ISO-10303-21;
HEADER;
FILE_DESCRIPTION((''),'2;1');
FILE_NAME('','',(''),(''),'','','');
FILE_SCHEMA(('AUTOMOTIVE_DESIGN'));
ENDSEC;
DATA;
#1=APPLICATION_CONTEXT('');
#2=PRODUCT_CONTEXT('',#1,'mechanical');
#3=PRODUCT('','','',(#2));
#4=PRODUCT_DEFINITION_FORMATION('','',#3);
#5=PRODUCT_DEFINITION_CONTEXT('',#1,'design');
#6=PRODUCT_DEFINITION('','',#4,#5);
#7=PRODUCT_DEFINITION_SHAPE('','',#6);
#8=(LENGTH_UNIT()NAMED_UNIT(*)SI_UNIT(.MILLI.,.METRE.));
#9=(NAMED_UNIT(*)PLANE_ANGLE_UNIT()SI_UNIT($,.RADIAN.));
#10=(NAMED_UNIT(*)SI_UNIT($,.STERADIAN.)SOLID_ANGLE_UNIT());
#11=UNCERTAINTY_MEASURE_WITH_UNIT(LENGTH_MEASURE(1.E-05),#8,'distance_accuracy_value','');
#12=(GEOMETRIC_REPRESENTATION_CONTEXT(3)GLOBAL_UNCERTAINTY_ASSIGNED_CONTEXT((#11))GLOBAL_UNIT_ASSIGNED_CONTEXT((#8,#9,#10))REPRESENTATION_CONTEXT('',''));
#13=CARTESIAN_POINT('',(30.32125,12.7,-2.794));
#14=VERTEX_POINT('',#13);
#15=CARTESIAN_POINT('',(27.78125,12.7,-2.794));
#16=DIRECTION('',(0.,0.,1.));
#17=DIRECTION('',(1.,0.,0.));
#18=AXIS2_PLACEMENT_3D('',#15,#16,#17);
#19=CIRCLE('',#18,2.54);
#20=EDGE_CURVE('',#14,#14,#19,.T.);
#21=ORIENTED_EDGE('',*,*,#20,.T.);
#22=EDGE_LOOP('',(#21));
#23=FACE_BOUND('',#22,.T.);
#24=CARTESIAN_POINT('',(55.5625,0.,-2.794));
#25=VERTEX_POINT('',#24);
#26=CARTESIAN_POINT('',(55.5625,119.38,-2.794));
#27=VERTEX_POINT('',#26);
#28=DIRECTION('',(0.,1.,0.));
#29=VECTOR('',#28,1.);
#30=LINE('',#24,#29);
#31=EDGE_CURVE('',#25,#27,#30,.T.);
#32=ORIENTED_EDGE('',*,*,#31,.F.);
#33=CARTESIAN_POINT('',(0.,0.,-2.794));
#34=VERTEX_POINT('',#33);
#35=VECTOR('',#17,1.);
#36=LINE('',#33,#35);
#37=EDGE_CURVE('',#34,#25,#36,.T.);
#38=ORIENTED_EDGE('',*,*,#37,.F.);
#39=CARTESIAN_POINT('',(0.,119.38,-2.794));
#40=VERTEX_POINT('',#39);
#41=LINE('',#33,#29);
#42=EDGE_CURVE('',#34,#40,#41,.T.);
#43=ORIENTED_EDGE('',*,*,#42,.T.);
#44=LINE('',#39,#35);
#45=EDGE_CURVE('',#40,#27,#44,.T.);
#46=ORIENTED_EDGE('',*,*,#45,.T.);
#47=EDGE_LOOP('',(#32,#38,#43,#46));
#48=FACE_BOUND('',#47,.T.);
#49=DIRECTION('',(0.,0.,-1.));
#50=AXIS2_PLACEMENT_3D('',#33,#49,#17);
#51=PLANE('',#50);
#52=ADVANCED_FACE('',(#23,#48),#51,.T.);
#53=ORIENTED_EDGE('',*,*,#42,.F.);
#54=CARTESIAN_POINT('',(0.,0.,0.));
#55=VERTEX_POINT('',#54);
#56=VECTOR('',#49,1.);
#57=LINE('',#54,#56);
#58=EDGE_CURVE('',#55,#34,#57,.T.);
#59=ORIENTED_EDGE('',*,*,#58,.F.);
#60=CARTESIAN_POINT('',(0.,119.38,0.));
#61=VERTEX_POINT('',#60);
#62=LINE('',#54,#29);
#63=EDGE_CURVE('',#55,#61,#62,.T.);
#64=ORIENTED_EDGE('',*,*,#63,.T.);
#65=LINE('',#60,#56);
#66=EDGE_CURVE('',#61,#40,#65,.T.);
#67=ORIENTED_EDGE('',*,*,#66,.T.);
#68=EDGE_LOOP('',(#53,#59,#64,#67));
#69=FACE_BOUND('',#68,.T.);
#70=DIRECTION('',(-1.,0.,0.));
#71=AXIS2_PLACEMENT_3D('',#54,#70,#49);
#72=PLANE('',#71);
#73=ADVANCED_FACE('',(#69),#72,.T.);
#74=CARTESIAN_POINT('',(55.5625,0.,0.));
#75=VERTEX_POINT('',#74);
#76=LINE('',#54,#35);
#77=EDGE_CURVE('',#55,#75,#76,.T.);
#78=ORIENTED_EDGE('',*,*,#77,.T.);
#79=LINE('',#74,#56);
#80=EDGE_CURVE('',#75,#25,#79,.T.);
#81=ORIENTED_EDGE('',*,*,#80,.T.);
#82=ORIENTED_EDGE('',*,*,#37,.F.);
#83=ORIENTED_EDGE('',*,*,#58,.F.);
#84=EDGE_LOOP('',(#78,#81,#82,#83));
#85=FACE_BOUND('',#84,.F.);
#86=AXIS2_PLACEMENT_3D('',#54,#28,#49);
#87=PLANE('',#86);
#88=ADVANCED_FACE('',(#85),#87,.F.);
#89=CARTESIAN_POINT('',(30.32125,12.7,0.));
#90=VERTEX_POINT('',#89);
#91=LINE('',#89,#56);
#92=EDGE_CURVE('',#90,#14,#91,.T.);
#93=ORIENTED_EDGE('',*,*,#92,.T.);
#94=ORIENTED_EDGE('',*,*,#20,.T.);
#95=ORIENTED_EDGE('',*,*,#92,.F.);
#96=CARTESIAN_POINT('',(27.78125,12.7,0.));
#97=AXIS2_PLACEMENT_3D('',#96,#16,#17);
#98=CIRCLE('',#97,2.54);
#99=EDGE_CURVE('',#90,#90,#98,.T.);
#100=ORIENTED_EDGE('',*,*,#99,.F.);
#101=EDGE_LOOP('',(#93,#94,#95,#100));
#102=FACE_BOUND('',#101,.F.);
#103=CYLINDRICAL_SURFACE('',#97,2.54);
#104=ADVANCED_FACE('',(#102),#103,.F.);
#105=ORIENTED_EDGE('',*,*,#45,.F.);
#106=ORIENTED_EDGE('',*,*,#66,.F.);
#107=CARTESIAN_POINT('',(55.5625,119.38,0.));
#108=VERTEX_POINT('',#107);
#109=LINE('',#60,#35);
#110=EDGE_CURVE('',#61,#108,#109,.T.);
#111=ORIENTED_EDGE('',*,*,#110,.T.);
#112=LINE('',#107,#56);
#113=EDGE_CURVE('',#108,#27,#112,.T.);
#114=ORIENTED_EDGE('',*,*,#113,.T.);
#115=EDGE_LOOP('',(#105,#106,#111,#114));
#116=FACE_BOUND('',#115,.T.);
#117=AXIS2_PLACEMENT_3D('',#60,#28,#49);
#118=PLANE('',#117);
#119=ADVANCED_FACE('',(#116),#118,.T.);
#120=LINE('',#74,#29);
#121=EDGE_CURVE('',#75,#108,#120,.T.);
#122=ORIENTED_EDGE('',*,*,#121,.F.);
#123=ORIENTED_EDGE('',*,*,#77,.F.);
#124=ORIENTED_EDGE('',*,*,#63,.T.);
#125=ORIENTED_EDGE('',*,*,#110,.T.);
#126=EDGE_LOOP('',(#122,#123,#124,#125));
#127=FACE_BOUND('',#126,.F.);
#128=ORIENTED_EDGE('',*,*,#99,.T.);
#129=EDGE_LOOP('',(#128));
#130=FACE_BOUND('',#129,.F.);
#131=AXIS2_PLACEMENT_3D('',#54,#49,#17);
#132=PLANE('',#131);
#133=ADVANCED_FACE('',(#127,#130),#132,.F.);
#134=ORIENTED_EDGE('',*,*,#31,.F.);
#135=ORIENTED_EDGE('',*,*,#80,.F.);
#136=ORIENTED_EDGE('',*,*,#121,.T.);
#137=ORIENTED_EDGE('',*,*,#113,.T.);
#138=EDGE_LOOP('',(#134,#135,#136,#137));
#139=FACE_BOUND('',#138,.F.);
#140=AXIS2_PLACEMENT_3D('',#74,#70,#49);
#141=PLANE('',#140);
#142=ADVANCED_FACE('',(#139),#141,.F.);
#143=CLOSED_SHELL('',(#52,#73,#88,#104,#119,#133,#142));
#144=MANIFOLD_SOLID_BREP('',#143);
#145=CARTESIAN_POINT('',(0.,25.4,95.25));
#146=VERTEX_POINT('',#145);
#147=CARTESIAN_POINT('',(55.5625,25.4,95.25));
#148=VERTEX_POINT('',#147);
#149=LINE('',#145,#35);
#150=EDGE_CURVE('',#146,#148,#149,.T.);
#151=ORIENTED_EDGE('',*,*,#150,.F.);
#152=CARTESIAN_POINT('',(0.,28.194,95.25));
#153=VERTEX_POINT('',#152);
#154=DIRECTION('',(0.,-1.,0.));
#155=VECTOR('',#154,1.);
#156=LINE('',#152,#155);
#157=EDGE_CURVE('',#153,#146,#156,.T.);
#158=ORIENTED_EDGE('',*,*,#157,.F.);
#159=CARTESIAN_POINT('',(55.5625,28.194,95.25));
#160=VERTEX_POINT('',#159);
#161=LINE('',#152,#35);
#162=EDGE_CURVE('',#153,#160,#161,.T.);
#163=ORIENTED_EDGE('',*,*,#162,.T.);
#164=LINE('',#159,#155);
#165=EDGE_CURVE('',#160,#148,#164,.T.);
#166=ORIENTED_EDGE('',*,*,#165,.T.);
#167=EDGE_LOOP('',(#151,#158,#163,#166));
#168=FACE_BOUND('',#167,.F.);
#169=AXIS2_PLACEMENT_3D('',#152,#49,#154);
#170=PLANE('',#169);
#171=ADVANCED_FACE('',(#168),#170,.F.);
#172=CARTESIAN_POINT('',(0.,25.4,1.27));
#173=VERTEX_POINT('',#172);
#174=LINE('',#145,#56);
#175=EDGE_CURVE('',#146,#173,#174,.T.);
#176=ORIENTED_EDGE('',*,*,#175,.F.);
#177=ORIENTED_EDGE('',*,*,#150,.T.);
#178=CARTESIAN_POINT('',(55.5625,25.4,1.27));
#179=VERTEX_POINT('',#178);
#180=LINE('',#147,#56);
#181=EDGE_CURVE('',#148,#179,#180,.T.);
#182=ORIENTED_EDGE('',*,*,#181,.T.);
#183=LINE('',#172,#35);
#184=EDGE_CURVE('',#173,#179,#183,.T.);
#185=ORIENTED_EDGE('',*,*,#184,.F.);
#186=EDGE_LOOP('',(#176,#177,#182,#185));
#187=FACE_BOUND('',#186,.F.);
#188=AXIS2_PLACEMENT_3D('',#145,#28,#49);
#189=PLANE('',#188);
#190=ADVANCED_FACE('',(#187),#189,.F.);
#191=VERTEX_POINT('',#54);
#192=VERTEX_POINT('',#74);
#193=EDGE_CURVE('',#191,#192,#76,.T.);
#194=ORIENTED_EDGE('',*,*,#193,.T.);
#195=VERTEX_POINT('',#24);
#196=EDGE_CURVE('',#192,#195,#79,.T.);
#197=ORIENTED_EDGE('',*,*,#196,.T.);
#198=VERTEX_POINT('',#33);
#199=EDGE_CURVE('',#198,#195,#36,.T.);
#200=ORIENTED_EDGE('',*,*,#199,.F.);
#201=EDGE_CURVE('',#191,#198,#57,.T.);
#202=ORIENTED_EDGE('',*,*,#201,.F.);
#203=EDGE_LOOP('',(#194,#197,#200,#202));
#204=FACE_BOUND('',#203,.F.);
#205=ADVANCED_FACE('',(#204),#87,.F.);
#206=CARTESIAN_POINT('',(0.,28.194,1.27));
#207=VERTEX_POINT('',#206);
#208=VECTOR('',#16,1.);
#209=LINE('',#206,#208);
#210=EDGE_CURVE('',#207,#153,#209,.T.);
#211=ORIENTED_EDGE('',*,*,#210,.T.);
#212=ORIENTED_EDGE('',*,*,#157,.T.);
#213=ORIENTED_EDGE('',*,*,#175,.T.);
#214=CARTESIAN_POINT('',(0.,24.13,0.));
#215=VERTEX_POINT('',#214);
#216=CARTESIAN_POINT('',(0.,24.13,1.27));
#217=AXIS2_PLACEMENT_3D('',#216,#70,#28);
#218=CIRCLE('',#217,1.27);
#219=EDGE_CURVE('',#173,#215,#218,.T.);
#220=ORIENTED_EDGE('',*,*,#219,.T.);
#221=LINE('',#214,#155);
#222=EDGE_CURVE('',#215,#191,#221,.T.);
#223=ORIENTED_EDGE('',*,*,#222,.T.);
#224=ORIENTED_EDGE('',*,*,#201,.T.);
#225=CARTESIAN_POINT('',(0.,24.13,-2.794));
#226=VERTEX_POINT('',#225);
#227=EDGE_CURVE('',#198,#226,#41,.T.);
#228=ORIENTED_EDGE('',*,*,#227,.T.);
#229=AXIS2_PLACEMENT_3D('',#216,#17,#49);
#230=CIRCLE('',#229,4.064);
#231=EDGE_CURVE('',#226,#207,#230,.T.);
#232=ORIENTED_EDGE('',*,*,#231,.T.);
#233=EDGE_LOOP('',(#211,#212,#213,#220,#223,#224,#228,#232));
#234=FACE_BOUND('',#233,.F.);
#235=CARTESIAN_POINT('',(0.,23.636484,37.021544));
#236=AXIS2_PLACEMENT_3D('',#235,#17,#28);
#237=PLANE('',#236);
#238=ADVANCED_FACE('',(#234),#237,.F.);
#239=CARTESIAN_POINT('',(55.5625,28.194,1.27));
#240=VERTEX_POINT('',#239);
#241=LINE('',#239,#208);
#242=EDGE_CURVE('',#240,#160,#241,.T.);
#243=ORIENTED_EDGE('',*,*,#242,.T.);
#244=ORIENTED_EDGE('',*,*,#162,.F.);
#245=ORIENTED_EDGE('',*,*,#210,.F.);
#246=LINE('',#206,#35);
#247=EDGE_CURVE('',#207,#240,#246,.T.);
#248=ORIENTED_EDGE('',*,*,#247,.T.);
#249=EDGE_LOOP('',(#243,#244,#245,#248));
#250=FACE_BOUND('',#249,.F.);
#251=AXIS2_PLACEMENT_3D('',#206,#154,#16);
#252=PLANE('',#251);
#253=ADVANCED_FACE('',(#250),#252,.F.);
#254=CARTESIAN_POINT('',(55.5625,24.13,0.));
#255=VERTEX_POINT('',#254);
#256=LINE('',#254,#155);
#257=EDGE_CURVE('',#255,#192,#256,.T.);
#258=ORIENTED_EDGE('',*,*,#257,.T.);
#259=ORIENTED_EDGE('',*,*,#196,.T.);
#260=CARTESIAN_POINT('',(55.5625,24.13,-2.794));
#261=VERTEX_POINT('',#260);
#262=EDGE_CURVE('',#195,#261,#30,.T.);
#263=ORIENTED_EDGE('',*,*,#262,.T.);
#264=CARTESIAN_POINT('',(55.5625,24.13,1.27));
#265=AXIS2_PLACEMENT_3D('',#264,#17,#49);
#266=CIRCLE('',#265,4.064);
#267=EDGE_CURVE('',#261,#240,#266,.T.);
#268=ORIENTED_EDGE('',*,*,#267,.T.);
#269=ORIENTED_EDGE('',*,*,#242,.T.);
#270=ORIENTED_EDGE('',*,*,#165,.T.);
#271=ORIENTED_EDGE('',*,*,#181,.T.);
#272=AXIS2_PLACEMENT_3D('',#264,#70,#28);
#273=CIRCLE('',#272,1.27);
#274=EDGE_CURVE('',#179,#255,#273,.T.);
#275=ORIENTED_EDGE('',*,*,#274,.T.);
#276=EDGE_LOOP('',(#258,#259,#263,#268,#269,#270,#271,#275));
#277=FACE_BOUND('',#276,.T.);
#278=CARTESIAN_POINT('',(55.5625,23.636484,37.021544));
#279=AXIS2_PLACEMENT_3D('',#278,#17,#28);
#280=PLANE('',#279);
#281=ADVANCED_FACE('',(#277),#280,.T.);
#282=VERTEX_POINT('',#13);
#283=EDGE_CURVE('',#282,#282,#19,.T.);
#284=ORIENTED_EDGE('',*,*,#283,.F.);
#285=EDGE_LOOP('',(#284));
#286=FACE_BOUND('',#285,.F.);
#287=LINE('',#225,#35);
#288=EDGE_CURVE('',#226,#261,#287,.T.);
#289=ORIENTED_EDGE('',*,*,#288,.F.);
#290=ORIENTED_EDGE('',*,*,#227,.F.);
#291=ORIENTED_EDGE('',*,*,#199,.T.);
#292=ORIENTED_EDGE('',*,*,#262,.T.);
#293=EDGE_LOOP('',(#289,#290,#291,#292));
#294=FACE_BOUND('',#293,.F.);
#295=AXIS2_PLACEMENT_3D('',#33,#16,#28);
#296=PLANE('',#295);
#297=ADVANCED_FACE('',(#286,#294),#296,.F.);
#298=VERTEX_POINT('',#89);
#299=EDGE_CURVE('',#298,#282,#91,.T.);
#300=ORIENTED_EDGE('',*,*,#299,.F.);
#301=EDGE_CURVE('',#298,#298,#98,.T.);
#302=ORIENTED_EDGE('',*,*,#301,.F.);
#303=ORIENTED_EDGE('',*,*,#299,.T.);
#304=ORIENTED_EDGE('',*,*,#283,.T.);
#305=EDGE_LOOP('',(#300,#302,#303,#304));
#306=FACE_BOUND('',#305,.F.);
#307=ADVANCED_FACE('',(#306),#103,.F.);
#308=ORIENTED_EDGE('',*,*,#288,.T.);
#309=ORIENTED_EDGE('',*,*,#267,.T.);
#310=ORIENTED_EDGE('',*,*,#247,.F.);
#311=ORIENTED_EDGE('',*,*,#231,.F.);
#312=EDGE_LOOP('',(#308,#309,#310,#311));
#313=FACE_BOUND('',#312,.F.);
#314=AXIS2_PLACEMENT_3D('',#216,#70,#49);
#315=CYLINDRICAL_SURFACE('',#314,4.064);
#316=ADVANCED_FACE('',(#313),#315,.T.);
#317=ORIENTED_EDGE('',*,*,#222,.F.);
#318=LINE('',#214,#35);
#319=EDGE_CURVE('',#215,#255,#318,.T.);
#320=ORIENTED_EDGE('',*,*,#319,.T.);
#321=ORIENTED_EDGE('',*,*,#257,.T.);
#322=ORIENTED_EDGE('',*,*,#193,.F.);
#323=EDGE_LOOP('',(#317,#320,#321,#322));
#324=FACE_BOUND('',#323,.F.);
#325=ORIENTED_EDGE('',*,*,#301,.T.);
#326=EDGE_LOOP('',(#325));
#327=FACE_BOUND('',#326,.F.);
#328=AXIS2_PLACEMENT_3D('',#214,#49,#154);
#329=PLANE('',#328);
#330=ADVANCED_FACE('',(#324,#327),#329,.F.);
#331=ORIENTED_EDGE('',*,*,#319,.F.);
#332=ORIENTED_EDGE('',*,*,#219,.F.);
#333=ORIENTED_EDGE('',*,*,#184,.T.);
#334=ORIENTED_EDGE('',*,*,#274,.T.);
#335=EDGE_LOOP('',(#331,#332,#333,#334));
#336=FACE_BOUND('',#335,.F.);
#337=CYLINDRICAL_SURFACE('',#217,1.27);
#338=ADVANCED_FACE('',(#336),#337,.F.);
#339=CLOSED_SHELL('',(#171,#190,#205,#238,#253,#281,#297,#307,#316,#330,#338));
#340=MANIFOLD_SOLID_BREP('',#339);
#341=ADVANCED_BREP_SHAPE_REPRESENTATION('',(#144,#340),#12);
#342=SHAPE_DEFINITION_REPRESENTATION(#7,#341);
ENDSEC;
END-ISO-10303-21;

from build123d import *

# Parameters (mm, degrees)
F1_DEPTH = 55.5625
F2_R     = 2.54
F3_DEPTH = 25.4
F4_DEPTH = 119.38
F5_R     = 2.54
F6_DEPTH = 25.4


with BuildPart() as f1:
    # F0 (on Right) → F1 (new body)
    with BuildSketch(Plane.YZ):
        with BuildLine():
            Line((24.13, 0), (0, 0))
            Line((0, 0), (0, -2.794))
            Line((0, -2.794), (24.13, -2.794))
            ThreePointArc((24.13, -2.794), (27.0036819587, -1.6036819587), (28.194, 1.27))
            Line((28.194, 1.27), (28.194, 95.25))
            Line((28.194, 95.25), (25.4, 95.25))
            Line((25.4, 95.25), (25.4, 1.27))
            ThreePointArc((25.4, 1.27), (25.0280256121, 0.3719743879), (24.13, 0))
        make_face()
    extrude(amount=F1_DEPTH)

    # F2 (on face) → F3 (cut)
    with BuildSketch(Plane.XY):
        with Locations((27.78125, 12.7)):
            Circle(F2_R)
    extrude(amount=-F3_DEPTH, mode=Mode.SUBTRACT)


with BuildPart() as f4:
    # F4 (new): a face of the model
    f4_faces = [f1.part.faces().sort_by_distance(p)[0] for p in [
        (27.78125, 0, -1.397),
    ]]
    extrude(f4_faces, amount=-F4_DEPTH)

    # F5 (on face) → F6 (cut)
    with BuildSketch(Plane.XY):
        with Locations((27.78125, 12.7)):
            Circle(F5_R)
    extrude(amount=-F6_DEPTH, mode=Mode.SUBTRACT)


solid = Compound([f1.part, f4.part])
